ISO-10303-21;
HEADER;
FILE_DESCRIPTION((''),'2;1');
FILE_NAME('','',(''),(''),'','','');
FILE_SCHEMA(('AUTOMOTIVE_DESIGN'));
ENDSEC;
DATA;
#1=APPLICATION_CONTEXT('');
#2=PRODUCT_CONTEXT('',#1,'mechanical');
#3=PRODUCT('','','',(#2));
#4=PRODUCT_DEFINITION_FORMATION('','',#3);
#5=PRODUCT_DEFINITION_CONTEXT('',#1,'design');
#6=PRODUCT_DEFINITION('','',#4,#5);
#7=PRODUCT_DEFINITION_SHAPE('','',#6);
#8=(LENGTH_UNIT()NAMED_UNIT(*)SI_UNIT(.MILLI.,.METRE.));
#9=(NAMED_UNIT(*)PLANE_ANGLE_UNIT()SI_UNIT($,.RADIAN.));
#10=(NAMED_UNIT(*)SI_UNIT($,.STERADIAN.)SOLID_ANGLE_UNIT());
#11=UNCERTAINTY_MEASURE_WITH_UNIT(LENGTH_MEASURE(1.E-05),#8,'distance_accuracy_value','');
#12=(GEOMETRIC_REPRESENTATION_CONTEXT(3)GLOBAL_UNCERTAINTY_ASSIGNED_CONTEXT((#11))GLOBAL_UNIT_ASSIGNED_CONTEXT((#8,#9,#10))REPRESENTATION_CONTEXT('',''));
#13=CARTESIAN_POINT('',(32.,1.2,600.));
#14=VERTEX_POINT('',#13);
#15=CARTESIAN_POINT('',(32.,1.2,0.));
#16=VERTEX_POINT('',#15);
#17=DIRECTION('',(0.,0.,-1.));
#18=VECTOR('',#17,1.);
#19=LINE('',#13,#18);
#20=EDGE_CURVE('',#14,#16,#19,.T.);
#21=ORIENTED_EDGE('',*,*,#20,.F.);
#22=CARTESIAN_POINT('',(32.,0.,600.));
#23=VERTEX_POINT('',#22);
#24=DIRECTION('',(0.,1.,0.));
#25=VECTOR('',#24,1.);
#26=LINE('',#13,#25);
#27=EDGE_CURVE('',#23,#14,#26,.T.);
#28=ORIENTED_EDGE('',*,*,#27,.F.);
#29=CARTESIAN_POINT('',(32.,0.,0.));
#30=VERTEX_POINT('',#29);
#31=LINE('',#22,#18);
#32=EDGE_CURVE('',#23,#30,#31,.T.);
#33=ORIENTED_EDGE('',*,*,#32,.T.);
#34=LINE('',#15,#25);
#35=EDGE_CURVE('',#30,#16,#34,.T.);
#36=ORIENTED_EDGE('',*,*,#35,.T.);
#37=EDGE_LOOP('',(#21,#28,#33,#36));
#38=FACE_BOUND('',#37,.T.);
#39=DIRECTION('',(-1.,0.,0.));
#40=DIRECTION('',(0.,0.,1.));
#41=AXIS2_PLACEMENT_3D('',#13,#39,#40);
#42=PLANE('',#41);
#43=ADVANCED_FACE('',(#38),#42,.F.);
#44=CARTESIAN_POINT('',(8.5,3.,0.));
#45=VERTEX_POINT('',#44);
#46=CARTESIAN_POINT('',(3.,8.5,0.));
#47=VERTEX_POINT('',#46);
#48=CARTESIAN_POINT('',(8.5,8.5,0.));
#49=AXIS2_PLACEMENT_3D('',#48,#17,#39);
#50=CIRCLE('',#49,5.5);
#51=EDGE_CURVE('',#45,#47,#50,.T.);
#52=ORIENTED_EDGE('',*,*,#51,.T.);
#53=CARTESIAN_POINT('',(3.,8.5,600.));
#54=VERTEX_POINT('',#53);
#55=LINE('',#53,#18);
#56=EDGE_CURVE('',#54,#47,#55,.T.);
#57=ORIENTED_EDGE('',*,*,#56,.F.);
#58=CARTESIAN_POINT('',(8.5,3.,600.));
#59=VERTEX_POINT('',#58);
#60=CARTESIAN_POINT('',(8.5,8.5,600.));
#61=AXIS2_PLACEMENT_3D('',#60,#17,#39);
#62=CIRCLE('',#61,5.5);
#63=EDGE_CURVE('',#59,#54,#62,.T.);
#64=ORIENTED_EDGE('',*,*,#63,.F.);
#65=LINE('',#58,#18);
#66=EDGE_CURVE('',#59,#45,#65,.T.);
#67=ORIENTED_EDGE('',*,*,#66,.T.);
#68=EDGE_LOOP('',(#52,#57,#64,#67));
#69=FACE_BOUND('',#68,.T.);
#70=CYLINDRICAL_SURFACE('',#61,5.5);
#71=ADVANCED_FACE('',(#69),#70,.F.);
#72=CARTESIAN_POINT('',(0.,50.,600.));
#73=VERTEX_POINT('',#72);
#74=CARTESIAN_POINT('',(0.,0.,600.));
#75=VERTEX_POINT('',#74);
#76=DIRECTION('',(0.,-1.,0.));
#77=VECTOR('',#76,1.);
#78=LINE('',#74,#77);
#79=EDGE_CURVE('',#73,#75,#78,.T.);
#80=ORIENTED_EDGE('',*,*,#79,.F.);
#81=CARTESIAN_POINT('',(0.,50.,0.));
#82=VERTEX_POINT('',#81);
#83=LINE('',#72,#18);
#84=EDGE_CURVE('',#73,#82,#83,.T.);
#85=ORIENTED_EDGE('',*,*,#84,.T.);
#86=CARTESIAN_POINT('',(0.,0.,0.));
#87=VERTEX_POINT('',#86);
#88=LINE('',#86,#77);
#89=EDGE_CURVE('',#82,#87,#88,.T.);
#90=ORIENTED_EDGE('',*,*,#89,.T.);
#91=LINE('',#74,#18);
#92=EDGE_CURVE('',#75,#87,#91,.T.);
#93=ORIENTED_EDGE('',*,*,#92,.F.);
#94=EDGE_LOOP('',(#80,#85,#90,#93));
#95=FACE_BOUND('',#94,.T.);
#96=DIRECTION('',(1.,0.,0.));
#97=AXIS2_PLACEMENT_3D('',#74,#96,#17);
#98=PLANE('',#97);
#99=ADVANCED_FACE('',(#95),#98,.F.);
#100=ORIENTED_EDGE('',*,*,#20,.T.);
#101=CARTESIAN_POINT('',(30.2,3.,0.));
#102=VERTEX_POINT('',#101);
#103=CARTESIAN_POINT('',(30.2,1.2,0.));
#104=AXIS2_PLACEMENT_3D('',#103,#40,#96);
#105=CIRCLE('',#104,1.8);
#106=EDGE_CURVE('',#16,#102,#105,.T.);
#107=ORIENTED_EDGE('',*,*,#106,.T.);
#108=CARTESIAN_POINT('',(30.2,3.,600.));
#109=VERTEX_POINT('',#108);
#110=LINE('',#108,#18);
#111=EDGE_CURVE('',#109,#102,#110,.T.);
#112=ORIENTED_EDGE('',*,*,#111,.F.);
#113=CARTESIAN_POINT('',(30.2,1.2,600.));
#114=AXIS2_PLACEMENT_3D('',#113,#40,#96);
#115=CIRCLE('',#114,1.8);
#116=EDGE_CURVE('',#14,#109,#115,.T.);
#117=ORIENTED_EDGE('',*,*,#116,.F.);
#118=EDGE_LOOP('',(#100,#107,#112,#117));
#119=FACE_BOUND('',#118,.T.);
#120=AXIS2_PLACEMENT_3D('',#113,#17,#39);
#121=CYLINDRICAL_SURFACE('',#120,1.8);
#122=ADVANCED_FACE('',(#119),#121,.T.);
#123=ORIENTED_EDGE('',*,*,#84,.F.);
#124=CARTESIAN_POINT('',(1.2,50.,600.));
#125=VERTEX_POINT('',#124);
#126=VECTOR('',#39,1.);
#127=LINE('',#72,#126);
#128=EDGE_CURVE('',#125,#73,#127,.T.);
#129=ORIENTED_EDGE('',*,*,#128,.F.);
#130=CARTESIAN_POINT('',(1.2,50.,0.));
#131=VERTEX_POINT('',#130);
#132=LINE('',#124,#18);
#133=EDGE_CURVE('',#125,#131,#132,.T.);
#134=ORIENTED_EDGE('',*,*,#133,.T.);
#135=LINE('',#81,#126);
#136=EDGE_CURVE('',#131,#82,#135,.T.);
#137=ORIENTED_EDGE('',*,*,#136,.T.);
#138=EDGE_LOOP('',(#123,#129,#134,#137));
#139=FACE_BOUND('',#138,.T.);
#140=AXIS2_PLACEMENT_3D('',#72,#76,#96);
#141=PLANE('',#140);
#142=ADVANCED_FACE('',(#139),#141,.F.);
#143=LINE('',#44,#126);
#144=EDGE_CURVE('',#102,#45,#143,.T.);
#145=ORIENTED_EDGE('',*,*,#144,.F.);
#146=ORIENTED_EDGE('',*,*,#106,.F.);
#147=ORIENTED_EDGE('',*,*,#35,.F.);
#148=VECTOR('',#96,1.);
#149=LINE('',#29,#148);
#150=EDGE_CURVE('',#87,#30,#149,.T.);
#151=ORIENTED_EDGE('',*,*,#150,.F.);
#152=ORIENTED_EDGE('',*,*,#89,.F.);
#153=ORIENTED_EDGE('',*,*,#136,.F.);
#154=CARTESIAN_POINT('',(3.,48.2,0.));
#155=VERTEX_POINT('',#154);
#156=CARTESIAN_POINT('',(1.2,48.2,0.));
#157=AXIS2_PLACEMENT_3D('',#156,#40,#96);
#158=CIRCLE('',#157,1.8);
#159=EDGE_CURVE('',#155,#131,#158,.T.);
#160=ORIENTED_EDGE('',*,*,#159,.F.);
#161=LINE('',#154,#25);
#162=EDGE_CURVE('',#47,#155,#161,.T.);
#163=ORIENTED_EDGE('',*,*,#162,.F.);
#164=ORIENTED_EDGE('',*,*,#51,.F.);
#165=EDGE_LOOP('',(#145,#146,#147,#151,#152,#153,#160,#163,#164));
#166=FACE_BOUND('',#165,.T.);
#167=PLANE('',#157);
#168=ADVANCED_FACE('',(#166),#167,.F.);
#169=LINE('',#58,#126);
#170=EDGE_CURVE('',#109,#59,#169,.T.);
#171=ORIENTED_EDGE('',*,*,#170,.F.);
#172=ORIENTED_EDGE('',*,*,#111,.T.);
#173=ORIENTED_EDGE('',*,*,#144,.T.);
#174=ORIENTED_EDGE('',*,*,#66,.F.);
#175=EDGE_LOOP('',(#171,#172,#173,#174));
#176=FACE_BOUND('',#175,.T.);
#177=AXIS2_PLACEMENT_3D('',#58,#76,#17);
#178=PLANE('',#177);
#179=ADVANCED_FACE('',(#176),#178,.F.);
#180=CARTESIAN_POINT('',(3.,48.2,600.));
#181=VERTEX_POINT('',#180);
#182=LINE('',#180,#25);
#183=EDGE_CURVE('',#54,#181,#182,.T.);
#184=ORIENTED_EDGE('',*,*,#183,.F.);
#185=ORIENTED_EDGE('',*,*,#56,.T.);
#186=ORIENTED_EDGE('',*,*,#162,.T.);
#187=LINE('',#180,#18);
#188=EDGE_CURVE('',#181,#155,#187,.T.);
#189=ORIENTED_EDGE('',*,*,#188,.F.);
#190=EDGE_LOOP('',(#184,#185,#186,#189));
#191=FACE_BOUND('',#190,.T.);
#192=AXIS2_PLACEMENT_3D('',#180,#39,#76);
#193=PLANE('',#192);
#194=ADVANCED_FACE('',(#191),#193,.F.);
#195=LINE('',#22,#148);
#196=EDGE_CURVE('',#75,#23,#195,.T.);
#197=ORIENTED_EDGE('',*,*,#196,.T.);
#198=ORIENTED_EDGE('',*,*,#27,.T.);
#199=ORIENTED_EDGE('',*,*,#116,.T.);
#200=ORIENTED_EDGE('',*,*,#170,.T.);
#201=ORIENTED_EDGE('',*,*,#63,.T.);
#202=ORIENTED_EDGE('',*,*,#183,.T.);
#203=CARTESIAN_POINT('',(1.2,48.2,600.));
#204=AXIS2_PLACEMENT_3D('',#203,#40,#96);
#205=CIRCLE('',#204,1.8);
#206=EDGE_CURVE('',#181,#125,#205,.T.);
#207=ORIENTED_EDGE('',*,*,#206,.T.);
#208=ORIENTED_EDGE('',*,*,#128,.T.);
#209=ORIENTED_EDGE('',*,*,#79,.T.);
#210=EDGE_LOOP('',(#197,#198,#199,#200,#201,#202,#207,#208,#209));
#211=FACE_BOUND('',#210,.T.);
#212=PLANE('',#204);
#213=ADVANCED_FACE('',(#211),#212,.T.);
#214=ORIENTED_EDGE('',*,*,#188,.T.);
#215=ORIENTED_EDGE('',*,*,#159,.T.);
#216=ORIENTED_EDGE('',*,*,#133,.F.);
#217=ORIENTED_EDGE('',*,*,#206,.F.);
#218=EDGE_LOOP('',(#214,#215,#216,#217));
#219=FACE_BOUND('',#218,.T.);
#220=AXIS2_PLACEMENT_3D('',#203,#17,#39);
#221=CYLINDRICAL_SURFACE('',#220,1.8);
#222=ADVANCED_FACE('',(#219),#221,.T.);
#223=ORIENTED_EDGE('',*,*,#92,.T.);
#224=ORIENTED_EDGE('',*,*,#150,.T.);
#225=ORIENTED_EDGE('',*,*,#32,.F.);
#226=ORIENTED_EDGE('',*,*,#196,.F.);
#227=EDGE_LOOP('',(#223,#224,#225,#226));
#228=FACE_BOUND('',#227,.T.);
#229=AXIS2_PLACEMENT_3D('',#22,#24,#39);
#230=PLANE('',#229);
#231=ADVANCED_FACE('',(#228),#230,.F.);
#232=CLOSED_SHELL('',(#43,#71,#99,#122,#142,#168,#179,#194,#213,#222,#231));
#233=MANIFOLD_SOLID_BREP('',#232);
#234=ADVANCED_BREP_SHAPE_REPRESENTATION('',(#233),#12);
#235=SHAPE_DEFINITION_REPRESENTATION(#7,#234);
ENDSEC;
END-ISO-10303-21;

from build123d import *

# Parameters (mm, degrees)
EXTRUDE_1_DEPTH = 600


with BuildPart() as part:
    # 草图1 → 拉伸1 (new body)
    with BuildSketch(Plane.XY):
        with BuildLine():
            Line((0, 0), (0, 50))
            Line((0, 50), (1.2, 50))
            ThreePointArc((1.2, 50), (2.472792206, 49.472792206), (3, 48.2))
            Line((3, 48.2), (3, 8.5))
            ThreePointArc((3, 8.5), (4.610912703, 4.610912703), (8.5, 3))
            Line((8.5, 3), (30.2, 3))
            ThreePointArc((30.2, 3), (31.472792206, 2.472792206), (32, 1.2))
            Line((32, 1.2), (32, 0))
            Line((32, 0), (0, 0))
        make_face()
    extrude(amount=EXTRUDE_1_DEPTH)


solid = part.part
